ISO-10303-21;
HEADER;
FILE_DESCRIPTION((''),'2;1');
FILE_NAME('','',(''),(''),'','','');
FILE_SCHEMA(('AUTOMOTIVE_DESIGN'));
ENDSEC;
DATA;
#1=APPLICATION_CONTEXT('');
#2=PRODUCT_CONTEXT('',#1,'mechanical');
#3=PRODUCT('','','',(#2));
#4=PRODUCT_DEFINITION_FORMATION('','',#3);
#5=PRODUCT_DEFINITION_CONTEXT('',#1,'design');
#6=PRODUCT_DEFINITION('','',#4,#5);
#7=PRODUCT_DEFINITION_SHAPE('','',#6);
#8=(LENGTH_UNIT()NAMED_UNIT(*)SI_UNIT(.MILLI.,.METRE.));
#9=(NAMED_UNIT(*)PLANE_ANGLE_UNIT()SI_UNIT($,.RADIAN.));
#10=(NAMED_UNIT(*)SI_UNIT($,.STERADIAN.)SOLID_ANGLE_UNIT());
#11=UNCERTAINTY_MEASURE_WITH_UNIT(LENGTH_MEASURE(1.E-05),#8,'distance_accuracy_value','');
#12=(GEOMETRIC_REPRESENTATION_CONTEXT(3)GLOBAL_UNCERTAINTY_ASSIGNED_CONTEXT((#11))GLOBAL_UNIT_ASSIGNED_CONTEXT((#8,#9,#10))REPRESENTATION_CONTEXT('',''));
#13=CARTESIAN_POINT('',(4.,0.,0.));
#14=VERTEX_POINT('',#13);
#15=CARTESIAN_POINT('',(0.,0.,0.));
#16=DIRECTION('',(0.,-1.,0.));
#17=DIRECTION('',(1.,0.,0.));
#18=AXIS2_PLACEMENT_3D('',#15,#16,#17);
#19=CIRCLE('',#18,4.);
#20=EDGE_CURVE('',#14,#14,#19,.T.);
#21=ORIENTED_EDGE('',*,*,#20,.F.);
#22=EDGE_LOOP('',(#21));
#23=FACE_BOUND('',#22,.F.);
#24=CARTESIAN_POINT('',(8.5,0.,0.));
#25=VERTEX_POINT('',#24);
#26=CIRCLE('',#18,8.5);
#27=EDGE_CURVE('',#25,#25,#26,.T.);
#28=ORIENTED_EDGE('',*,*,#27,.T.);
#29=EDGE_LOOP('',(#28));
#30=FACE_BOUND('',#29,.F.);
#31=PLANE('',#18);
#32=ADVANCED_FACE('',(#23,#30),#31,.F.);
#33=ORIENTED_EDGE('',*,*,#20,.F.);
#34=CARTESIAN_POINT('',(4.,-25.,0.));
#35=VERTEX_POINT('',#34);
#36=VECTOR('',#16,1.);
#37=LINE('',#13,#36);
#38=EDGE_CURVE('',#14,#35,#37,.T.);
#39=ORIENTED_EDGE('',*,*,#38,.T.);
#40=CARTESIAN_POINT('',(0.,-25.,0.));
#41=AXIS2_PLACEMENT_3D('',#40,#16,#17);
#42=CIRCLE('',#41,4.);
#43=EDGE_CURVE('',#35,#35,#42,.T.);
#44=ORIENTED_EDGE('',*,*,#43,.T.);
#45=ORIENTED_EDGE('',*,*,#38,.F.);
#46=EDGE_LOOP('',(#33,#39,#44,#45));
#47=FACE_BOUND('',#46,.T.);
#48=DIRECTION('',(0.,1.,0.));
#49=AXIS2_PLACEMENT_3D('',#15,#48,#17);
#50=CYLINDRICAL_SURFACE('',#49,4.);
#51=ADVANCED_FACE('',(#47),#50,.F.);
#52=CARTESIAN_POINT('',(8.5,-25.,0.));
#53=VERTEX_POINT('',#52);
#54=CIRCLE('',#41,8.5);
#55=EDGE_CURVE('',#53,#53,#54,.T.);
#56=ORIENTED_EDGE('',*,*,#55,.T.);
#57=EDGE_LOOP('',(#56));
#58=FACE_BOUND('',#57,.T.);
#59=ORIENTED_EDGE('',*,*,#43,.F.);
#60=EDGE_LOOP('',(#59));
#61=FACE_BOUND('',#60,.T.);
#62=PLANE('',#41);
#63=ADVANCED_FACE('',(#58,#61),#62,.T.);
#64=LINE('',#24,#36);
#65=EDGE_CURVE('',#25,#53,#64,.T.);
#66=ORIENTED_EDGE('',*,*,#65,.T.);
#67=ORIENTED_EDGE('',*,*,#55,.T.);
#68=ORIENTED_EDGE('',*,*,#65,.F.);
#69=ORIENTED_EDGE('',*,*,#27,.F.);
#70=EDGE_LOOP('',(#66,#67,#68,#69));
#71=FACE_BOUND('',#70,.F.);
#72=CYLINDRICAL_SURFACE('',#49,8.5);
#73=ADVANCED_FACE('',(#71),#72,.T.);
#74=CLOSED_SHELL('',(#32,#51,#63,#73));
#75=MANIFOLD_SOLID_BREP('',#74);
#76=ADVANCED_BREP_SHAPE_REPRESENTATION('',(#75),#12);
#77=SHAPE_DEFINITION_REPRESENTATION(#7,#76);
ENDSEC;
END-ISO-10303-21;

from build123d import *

# Parameters (mm, degrees)
SKETCH_R   = 8.5
SKETCH_R_2 = 4
PAD_DEPTH  = 25


with BuildPart() as part:
    # Sketch → Pad (new body)
    with BuildSketch(Plane.XZ):
        Circle(SKETCH_R)
        Circle(SKETCH_R_2, mode=Mode.SUBTRACT)
    extrude(amount=PAD_DEPTH)


solid = part.part
